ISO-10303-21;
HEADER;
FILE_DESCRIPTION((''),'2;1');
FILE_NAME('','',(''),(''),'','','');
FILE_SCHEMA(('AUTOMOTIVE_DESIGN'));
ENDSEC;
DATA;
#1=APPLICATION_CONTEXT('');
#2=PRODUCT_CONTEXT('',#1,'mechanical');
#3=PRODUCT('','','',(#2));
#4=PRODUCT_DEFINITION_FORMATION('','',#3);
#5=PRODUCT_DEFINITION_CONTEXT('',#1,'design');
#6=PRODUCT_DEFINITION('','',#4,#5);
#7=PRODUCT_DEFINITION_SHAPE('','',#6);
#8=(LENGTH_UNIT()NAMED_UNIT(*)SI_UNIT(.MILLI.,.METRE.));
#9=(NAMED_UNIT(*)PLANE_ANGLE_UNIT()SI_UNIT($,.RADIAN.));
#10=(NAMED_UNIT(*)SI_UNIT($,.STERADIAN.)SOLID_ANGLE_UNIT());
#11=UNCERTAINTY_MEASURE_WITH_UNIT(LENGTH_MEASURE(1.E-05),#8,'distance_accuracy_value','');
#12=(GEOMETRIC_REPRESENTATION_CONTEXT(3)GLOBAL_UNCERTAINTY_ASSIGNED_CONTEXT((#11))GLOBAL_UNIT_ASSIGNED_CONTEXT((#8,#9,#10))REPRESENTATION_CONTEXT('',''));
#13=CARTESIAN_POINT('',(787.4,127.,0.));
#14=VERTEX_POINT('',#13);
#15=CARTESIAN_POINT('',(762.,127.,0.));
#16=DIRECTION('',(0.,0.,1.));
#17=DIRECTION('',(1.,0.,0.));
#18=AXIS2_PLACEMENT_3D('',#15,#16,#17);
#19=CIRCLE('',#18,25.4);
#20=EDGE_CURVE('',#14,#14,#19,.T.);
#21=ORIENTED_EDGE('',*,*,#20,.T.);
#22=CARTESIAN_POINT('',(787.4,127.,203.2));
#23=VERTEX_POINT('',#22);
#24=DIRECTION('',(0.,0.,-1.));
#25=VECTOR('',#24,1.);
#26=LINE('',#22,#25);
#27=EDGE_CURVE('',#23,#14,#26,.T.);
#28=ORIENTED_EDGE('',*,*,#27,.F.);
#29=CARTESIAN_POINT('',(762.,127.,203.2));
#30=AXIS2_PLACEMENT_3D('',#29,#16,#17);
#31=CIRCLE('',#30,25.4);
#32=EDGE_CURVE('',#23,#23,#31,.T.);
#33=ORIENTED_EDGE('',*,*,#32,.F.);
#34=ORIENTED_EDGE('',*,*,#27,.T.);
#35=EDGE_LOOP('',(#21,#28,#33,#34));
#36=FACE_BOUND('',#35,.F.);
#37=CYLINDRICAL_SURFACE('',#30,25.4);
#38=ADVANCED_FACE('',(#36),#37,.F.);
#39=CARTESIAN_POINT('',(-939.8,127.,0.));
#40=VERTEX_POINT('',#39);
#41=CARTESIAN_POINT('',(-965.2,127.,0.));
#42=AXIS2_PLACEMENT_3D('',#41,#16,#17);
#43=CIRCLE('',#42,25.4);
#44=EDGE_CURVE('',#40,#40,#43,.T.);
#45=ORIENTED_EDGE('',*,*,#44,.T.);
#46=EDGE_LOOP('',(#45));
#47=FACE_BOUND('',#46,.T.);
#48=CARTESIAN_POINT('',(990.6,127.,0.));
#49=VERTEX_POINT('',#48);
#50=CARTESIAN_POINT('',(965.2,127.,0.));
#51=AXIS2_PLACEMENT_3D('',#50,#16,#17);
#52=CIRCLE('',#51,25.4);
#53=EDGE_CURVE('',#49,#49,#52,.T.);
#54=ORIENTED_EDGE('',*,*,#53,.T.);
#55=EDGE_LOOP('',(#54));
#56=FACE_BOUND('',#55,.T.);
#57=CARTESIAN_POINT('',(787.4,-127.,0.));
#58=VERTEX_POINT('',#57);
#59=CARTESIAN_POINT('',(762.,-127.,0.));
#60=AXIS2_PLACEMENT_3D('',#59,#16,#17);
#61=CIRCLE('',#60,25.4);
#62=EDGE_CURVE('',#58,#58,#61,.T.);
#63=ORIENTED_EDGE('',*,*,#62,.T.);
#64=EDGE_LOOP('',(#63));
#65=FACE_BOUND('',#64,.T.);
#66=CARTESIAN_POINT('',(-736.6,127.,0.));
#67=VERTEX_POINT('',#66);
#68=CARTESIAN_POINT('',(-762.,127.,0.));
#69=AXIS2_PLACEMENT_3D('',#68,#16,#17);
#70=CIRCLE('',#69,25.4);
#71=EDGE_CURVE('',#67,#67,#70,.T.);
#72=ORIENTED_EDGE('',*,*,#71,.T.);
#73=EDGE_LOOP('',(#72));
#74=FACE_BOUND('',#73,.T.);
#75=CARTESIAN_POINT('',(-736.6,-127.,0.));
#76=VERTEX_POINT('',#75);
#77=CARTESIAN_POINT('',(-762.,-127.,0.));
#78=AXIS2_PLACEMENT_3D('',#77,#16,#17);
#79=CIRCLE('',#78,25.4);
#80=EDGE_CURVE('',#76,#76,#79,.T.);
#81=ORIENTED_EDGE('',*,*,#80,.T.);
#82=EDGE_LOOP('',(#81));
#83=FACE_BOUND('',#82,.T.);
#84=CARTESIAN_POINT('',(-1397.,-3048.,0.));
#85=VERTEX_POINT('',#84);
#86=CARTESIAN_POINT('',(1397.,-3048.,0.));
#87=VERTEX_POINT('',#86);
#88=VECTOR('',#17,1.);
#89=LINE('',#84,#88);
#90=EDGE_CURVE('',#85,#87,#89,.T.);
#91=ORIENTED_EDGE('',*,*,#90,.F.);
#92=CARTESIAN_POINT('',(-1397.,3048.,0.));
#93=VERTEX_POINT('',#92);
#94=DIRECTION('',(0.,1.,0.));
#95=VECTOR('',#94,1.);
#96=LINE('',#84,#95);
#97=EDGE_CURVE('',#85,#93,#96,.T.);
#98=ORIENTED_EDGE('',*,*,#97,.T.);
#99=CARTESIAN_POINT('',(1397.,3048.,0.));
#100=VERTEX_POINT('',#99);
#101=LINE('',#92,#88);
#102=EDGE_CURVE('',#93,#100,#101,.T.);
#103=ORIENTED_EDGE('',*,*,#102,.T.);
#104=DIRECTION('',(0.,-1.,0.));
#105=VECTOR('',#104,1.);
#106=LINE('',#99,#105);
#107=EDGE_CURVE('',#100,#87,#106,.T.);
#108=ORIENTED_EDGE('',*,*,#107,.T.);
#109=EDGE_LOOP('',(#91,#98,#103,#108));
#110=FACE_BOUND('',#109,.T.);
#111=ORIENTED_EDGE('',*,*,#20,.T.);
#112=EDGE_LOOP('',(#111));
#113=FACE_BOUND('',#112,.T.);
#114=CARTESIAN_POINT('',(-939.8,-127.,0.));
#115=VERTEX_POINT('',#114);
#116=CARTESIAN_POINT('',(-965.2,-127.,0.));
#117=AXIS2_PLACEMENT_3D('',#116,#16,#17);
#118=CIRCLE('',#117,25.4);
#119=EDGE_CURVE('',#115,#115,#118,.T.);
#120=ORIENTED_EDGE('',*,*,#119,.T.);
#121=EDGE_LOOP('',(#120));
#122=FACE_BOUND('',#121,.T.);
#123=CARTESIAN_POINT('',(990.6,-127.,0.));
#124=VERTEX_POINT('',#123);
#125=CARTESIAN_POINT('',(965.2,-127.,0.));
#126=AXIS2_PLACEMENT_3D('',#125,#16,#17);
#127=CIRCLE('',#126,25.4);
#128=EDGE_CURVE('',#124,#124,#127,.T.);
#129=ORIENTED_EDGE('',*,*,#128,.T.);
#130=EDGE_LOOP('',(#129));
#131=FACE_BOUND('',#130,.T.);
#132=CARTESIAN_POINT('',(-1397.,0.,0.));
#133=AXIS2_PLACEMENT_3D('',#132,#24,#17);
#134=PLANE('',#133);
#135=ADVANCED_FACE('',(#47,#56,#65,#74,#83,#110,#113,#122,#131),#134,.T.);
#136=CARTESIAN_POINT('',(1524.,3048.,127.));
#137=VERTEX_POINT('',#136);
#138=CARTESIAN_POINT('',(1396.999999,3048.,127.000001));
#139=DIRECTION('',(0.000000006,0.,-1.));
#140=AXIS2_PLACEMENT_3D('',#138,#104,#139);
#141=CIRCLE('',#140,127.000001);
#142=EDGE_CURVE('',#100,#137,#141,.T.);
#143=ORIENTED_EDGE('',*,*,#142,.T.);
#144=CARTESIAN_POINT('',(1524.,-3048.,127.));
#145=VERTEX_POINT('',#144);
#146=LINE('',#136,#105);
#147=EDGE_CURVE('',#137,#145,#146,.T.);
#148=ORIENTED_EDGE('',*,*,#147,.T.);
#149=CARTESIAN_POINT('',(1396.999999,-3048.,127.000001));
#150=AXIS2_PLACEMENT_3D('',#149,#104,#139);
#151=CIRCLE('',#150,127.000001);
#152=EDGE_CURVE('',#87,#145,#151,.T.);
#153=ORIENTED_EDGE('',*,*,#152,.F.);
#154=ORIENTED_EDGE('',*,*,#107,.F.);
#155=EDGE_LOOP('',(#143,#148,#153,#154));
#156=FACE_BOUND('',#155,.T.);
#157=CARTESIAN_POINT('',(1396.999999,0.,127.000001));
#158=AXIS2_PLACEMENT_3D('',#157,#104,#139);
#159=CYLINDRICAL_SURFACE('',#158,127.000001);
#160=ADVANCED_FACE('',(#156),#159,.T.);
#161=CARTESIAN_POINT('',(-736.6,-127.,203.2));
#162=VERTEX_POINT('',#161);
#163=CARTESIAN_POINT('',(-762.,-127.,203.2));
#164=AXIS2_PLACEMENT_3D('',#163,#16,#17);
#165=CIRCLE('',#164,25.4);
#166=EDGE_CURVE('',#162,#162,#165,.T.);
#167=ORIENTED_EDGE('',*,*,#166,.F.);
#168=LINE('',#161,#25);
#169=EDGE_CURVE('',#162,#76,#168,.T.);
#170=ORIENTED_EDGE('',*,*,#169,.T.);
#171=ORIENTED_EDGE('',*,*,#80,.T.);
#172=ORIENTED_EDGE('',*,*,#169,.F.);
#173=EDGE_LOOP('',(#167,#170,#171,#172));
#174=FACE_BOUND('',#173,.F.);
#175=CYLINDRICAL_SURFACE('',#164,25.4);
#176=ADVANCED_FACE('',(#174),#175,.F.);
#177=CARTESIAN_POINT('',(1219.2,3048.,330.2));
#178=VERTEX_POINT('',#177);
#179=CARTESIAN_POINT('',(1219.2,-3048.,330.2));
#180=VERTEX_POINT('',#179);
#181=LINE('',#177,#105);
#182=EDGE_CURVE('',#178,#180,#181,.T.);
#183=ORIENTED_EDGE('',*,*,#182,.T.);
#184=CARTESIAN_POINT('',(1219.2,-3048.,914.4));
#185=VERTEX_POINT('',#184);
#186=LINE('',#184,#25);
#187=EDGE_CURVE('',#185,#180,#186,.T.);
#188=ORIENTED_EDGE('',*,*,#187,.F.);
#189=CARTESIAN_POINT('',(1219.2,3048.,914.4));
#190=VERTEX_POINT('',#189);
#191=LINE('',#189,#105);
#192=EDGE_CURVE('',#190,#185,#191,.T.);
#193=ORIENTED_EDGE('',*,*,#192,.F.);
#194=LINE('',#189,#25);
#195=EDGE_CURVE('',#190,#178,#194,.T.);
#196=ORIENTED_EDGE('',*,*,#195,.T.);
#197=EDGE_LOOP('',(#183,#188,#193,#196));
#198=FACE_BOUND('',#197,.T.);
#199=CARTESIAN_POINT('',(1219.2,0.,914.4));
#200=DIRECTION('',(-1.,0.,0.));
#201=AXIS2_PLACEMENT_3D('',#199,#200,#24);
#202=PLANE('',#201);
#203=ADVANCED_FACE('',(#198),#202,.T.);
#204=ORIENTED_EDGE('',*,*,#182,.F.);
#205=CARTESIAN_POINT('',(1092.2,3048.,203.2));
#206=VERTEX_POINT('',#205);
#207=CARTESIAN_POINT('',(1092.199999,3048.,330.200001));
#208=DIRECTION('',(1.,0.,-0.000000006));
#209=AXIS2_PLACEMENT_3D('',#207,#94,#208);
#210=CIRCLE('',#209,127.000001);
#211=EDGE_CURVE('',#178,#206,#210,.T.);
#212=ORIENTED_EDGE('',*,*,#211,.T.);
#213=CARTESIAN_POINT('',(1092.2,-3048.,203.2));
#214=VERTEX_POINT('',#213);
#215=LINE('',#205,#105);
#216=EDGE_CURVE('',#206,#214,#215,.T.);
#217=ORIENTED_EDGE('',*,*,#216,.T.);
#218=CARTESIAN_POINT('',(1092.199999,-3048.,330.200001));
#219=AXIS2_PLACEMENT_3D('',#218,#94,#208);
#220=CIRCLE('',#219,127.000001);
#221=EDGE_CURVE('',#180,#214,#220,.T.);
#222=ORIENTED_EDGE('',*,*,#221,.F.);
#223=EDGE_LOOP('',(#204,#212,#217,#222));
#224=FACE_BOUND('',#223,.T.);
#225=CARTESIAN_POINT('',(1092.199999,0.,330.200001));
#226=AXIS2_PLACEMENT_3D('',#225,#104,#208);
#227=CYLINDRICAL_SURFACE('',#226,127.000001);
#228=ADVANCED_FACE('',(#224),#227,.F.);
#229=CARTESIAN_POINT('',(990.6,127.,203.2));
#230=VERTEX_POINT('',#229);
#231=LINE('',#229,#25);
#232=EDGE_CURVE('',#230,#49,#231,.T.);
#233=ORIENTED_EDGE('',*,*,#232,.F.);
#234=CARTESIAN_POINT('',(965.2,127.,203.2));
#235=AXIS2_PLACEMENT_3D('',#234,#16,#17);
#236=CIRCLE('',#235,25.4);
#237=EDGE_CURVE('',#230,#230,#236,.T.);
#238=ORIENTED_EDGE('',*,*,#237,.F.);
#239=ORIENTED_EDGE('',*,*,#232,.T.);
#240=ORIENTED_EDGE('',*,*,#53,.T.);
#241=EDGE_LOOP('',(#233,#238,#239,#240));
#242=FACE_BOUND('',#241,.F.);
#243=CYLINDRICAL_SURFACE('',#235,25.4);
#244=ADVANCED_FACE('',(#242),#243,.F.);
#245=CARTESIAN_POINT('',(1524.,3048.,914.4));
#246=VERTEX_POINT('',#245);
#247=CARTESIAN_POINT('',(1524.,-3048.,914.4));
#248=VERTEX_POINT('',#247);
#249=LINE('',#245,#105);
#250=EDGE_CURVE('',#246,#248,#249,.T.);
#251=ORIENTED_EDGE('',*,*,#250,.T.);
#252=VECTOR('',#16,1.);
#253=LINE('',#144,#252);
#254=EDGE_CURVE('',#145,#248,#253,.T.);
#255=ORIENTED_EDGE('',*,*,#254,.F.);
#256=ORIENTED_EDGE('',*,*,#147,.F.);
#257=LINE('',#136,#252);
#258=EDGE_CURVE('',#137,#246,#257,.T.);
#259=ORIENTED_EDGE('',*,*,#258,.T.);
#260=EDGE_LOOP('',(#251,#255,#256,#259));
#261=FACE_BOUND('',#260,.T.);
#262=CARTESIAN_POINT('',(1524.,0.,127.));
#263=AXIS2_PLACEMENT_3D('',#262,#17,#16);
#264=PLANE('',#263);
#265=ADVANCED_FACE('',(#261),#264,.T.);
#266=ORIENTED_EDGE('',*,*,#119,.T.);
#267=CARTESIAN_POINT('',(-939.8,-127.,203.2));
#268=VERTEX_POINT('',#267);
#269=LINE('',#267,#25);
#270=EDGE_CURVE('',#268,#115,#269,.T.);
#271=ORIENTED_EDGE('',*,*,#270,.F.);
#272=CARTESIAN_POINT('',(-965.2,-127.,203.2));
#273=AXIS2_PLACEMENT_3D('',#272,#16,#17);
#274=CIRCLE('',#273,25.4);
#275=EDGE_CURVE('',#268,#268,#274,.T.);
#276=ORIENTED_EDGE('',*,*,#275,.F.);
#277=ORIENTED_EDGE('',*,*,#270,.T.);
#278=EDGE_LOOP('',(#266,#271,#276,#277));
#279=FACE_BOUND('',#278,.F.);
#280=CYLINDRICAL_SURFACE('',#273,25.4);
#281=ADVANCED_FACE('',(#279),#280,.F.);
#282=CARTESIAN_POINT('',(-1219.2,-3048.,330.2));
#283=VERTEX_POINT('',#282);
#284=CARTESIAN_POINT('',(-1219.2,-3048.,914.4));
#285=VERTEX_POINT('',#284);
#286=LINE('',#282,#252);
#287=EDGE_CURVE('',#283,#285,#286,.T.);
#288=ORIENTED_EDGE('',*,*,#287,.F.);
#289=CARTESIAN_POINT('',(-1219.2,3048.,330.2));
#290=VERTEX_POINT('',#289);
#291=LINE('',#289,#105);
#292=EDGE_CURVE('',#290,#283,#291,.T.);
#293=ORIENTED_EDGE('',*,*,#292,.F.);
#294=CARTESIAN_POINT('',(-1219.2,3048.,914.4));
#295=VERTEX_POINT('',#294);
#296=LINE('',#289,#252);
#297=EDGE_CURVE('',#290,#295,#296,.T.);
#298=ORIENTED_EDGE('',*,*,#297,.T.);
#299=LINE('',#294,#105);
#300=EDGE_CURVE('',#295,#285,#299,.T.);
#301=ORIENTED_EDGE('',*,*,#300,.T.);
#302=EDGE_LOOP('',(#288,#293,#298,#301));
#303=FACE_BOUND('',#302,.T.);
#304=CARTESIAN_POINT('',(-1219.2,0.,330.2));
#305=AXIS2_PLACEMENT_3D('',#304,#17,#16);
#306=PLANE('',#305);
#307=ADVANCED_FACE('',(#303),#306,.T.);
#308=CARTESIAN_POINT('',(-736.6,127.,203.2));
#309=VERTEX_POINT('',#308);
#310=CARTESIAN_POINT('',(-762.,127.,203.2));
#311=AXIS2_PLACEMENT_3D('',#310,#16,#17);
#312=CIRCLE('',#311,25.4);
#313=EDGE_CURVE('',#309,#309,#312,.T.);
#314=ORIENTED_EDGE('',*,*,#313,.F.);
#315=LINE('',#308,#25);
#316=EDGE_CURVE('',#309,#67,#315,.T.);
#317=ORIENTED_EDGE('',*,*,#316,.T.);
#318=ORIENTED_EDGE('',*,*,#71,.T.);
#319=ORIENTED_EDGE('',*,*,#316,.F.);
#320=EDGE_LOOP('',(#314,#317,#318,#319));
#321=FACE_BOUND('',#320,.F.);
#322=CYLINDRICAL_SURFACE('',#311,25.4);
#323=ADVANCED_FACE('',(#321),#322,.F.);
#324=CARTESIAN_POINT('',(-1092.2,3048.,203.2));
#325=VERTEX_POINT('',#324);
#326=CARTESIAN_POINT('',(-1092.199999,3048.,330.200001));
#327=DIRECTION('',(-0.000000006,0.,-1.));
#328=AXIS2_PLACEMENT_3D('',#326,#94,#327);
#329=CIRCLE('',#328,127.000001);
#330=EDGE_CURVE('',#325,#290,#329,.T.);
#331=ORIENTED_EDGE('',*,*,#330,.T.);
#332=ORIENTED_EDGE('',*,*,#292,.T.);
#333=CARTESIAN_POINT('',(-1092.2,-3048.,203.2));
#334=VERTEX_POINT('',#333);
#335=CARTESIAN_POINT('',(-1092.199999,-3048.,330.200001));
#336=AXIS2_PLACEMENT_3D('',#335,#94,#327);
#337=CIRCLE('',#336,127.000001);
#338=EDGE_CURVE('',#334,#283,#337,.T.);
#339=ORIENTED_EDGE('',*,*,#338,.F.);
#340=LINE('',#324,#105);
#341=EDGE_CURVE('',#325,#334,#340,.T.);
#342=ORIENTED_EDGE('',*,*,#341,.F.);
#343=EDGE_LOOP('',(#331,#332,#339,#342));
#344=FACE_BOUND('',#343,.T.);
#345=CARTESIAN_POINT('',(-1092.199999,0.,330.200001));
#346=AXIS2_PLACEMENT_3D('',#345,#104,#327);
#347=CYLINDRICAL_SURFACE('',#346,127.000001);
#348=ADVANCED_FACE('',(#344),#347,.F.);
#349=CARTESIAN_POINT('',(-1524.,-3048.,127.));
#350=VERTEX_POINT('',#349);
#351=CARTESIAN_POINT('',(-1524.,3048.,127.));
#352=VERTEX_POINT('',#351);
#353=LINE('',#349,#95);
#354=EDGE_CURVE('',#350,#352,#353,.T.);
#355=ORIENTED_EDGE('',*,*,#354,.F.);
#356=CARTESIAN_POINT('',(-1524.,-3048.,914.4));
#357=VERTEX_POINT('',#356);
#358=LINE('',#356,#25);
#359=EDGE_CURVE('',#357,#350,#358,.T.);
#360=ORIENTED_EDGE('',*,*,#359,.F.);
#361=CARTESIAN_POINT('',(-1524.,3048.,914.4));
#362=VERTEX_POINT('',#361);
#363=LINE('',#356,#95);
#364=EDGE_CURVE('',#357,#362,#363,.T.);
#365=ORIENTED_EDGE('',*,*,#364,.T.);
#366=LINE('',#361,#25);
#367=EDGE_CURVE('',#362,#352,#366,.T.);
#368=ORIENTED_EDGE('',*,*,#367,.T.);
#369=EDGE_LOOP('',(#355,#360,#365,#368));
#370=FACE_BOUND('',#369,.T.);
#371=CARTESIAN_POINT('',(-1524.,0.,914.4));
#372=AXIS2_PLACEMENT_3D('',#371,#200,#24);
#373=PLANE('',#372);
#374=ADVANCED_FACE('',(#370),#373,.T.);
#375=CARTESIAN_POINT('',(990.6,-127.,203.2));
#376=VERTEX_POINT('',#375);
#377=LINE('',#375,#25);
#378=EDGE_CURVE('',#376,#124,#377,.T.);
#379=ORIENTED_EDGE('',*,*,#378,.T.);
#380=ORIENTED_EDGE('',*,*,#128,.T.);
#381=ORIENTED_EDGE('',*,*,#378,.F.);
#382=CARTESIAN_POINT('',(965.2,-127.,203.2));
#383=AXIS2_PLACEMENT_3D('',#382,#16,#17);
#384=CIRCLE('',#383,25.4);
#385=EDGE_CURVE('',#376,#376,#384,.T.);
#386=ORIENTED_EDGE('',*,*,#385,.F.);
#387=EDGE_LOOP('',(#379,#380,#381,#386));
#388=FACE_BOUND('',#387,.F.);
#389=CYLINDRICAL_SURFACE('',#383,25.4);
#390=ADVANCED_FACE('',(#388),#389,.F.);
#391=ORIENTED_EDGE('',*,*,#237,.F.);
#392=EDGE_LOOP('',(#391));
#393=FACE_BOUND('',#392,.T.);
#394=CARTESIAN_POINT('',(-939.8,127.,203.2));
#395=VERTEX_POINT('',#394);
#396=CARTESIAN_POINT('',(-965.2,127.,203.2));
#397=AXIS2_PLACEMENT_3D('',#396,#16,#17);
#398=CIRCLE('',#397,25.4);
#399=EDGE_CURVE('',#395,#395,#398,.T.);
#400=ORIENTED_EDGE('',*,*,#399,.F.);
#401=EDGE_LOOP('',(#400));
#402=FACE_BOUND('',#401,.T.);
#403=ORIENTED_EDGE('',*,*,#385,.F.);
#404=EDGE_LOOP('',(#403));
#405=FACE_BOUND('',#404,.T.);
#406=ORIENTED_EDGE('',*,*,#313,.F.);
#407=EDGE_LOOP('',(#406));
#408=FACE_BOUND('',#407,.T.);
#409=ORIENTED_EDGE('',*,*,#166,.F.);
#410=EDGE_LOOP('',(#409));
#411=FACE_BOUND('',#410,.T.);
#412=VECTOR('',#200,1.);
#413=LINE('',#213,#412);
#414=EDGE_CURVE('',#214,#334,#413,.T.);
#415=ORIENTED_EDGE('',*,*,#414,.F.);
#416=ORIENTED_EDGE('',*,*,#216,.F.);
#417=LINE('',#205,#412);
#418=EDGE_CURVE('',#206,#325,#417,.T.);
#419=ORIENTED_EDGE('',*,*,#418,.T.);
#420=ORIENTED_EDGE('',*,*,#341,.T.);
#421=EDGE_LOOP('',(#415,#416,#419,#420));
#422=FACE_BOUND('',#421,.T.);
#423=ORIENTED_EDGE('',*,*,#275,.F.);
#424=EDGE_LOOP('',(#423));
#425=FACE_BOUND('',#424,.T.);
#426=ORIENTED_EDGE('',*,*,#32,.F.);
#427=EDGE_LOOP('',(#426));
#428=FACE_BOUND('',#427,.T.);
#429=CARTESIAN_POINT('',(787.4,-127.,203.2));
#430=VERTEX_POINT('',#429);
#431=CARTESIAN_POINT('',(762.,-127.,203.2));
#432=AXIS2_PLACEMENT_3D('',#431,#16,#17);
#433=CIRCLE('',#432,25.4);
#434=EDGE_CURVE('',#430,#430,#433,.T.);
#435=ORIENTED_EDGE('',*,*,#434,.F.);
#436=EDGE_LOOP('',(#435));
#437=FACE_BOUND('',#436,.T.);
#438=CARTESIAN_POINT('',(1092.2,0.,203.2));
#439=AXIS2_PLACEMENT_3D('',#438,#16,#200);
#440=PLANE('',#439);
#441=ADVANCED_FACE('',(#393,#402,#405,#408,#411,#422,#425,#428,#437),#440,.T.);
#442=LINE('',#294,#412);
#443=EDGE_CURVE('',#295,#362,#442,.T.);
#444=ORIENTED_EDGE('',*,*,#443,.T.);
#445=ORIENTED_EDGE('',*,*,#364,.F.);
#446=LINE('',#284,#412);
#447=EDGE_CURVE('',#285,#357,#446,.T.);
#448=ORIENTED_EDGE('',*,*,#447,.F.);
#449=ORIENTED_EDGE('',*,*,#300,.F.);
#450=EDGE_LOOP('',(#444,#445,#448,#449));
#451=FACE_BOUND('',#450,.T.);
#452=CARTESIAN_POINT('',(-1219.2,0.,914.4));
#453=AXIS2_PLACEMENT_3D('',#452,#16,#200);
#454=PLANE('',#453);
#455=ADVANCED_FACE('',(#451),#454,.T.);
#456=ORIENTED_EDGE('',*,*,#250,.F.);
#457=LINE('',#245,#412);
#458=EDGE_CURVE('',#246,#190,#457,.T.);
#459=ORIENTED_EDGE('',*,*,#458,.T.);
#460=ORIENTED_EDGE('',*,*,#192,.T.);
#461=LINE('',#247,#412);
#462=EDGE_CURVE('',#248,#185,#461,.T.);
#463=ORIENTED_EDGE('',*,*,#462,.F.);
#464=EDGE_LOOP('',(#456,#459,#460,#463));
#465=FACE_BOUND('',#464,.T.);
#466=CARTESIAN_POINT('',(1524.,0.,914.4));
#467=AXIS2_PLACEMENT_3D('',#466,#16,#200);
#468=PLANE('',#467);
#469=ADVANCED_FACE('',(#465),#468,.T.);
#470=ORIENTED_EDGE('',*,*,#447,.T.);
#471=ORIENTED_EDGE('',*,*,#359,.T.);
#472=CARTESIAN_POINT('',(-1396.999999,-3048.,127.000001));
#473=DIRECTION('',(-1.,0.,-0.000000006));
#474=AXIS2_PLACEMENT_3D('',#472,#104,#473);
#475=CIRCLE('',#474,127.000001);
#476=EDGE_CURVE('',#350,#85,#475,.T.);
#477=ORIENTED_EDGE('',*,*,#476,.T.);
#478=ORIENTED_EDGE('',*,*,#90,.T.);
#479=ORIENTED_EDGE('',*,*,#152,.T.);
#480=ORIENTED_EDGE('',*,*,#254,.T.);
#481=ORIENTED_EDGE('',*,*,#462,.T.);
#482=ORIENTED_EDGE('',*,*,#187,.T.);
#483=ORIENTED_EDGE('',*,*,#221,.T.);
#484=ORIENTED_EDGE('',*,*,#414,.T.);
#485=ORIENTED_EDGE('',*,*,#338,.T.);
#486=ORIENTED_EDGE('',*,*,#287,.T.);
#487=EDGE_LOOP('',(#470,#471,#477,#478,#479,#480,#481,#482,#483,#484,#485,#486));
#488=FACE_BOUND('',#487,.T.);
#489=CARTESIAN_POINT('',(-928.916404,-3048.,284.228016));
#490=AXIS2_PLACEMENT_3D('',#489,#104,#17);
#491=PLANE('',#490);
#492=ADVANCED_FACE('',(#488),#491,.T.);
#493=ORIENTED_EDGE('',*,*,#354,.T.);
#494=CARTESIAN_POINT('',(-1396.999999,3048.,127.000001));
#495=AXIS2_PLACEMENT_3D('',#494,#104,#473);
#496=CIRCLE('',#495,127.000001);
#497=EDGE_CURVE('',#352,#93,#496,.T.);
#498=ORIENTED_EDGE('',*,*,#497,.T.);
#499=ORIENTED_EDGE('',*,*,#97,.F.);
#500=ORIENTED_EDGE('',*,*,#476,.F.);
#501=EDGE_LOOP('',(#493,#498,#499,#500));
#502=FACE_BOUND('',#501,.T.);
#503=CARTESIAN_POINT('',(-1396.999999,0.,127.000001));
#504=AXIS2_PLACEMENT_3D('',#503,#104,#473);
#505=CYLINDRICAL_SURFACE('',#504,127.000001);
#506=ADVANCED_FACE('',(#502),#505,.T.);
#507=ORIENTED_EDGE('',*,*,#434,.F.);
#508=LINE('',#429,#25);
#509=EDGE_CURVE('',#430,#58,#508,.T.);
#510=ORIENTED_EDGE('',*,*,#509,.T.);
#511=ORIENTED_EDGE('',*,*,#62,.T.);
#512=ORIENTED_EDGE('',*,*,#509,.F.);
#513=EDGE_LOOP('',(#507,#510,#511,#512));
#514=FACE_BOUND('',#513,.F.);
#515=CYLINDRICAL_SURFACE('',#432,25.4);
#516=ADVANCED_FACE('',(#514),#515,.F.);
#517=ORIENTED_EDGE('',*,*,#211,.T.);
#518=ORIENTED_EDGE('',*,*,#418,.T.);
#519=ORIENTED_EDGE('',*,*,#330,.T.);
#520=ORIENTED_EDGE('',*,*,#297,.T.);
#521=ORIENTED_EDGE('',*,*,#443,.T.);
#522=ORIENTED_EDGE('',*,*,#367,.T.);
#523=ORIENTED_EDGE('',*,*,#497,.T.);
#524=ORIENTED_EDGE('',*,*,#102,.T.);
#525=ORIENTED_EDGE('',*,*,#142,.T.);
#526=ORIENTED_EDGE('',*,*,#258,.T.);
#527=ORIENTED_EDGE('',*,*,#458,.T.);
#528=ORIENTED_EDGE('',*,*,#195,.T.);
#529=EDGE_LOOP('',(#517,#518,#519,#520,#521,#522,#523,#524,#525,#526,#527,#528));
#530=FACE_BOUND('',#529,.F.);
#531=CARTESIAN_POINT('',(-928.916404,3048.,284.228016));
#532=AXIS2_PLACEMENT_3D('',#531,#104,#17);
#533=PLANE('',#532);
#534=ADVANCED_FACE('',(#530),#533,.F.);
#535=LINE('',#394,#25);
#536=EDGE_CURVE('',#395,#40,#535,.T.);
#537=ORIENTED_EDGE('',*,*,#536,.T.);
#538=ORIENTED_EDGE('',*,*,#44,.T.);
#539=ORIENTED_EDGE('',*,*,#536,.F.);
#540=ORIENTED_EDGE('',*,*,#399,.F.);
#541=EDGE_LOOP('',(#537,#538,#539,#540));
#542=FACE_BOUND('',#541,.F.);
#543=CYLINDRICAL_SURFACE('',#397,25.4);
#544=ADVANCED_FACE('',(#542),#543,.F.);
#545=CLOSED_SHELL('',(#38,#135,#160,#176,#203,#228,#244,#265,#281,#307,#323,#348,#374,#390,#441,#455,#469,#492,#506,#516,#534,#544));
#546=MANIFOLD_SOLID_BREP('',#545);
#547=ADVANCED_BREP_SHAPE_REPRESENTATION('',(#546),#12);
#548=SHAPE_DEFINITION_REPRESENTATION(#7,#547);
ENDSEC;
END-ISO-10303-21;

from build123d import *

# Parameters (mm, degrees)
F1_DEPTH = 3048
F2_R     = 25.4
F3_DEPTH = 203.201


with BuildPart() as f1:
    # F0 (on Front) → F1 (new body, symmetric)
    with BuildSketch(Plane.XZ):
        with BuildLine():
            Line((-1397, 0), (0, 0))
            Line((0, 0), (0, 203.2))
            Line((0, 203.2), (-1092.2, 203.2))
            ThreePointArc((-1092.2, 203.2), (-1182.002561, 240.397439), (-1219.2, 330.2))
            Line((-1219.2, 330.2), (-1219.2, 914.4))
            Line((-1219.2, 914.4), (-1524, 914.4))
            Line((-1524, 914.4), (-1524, 127))
            ThreePointArc((-1524, 127), (-1486.802561, 37.197439), (-1397, 0))
        make_face()
        with BuildLine():
            Line((0, 203.2), (0, 0))
            Line((0, 0), (1397, 0))
            ThreePointArc((1397, 0), (1486.802561, 37.197439), (1524, 127))
            Line((1524, 127), (1524, 914.4))
            Line((1524, 914.4), (1219.2, 914.4))
            Line((1219.2, 914.4), (1219.2, 330.2))
            ThreePointArc((1219.2, 330.2), (1182.002561, 240.397439), (1092.2, 203.2))
            Line((1092.2, 203.2), (0, 203.2))
        make_face()
    extrude(amount=F1_DEPTH, both=True)

    # F2 (on face) → F3 (cut, through all)
    with BuildSketch(Plane.XY.offset(203.2)):
        with Locations((-965.2, 127)):
            Circle(F2_R)
        with Locations((-762, 127)):
            Circle(F2_R)
        with Locations((-965.2, -127)):
            Circle(F2_R)
        with Locations((-762, -127)):
            Circle(F2_R)
        with Locations((762, 127)):
            Circle(F2_R)
        with Locations((965.2, 127)):
            Circle(F2_R)
        with Locations((965.2, -127)):
            Circle(F2_R)
        with Locations((762, -127)):
            Circle(F2_R)
    extrude(amount=-F3_DEPTH, mode=Mode.SUBTRACT)


solid = f1.part
